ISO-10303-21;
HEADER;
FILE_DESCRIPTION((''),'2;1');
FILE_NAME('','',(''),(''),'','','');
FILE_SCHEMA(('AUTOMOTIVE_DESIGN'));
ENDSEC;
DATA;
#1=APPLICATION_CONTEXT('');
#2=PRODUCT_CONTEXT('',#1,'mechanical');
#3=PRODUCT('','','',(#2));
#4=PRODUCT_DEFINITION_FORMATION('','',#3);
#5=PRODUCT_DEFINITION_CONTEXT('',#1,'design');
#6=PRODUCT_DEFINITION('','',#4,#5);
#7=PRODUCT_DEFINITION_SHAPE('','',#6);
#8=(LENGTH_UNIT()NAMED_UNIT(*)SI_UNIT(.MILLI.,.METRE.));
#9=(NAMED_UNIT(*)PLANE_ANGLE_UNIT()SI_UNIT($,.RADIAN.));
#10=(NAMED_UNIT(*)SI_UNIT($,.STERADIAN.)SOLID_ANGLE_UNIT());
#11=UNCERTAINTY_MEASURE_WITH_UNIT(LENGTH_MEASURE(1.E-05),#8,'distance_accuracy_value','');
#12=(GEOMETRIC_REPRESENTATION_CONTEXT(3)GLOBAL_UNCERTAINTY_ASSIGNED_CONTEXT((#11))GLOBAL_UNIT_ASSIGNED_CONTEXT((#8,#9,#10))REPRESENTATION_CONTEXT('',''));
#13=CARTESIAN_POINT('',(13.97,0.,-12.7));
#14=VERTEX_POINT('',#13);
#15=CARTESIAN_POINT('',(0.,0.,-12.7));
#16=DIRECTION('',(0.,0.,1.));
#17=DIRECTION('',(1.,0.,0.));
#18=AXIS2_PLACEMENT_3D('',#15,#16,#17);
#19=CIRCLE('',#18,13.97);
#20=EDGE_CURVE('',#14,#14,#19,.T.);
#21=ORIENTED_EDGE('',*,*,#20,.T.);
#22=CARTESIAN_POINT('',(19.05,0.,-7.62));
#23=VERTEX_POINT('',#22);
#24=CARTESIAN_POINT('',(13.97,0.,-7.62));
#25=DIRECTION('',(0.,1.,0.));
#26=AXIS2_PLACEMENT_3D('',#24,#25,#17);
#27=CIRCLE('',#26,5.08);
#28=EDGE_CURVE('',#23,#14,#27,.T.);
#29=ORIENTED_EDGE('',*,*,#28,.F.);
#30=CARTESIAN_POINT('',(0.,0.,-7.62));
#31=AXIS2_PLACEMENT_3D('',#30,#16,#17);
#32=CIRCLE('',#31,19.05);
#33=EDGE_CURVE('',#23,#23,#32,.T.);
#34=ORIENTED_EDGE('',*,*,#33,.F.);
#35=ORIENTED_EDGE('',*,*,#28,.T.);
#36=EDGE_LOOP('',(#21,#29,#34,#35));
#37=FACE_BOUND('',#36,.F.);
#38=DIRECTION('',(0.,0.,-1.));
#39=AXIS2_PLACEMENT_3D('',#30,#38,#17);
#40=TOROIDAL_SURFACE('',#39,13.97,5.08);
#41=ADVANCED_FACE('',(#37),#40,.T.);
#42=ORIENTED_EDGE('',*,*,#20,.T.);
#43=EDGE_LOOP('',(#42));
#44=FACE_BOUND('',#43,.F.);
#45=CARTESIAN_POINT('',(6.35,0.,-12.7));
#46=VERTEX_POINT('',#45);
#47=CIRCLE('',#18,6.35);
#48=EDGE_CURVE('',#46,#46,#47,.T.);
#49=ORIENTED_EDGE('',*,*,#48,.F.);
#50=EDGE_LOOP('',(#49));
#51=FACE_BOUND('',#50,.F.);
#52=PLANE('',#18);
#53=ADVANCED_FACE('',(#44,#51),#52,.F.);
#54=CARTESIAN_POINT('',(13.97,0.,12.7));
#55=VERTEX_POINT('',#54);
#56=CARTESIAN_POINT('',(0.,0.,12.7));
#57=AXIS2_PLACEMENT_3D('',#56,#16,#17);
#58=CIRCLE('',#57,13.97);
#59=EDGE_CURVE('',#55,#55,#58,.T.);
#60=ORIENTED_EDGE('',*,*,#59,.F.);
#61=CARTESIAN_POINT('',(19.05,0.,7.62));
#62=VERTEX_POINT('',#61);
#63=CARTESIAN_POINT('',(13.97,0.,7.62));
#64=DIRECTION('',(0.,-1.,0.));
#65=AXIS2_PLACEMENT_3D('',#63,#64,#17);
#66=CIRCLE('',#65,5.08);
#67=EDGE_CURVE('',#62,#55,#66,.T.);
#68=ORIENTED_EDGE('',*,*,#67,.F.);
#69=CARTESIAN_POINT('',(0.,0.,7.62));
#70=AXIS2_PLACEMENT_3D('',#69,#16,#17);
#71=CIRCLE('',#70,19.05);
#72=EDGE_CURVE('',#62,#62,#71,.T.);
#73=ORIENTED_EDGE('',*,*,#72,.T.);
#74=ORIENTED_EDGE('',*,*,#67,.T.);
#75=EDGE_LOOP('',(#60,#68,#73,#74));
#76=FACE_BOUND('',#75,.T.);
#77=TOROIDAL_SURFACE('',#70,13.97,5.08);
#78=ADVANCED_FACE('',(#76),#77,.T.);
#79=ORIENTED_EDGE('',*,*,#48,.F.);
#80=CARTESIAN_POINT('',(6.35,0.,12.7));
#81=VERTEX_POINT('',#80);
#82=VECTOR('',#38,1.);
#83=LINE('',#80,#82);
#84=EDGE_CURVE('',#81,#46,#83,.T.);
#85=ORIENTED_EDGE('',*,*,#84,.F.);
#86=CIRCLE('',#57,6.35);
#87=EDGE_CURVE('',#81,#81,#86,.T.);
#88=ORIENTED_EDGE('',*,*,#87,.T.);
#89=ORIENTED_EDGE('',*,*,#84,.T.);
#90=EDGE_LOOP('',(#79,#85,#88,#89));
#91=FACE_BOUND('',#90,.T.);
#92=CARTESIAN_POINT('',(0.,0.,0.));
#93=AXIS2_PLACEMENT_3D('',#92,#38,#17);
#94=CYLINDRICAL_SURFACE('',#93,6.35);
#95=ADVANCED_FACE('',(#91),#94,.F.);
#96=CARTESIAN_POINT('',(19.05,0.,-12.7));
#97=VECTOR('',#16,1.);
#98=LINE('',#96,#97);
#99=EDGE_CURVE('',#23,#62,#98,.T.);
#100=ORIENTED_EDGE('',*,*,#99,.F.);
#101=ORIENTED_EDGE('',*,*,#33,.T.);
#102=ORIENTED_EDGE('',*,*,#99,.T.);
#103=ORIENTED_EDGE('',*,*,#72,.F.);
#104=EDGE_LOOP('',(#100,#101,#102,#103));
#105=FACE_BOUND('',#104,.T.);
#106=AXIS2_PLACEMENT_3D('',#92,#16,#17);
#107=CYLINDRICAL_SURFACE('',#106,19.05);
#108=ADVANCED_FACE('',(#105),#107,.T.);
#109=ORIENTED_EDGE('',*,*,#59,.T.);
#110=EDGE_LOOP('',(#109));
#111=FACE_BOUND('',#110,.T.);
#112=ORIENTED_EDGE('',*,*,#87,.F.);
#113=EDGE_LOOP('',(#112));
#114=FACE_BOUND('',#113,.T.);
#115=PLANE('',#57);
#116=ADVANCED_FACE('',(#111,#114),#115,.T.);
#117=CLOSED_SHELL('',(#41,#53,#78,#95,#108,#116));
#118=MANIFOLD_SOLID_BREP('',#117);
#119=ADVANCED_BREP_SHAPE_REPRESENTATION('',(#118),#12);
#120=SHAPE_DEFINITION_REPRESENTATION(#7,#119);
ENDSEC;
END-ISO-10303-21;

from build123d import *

# Parameters (mm, degrees)
F0_R     = 19.05
F0_R_2   = 6.35
F1_DEPTH = 12.7
F2_R     = 5.08


with BuildPart() as f1:
    # F0 (on Top) → F1 (new body, symmetric)
    with BuildSketch(Plane.XY):
        Circle(F0_R)
        Circle(F0_R_2, mode=Mode.SUBTRACT)
    extrude(amount=F1_DEPTH, both=True)

    # F2
    f2_edges = [f1.edges().sort_by_distance(p)[0] for p in [
        (-19.05, 0, 12.7),
        (-19.05, 0, -12.7),
    ]]
    fillet(f2_edges, radius=F2_R)


solid = f1.part
